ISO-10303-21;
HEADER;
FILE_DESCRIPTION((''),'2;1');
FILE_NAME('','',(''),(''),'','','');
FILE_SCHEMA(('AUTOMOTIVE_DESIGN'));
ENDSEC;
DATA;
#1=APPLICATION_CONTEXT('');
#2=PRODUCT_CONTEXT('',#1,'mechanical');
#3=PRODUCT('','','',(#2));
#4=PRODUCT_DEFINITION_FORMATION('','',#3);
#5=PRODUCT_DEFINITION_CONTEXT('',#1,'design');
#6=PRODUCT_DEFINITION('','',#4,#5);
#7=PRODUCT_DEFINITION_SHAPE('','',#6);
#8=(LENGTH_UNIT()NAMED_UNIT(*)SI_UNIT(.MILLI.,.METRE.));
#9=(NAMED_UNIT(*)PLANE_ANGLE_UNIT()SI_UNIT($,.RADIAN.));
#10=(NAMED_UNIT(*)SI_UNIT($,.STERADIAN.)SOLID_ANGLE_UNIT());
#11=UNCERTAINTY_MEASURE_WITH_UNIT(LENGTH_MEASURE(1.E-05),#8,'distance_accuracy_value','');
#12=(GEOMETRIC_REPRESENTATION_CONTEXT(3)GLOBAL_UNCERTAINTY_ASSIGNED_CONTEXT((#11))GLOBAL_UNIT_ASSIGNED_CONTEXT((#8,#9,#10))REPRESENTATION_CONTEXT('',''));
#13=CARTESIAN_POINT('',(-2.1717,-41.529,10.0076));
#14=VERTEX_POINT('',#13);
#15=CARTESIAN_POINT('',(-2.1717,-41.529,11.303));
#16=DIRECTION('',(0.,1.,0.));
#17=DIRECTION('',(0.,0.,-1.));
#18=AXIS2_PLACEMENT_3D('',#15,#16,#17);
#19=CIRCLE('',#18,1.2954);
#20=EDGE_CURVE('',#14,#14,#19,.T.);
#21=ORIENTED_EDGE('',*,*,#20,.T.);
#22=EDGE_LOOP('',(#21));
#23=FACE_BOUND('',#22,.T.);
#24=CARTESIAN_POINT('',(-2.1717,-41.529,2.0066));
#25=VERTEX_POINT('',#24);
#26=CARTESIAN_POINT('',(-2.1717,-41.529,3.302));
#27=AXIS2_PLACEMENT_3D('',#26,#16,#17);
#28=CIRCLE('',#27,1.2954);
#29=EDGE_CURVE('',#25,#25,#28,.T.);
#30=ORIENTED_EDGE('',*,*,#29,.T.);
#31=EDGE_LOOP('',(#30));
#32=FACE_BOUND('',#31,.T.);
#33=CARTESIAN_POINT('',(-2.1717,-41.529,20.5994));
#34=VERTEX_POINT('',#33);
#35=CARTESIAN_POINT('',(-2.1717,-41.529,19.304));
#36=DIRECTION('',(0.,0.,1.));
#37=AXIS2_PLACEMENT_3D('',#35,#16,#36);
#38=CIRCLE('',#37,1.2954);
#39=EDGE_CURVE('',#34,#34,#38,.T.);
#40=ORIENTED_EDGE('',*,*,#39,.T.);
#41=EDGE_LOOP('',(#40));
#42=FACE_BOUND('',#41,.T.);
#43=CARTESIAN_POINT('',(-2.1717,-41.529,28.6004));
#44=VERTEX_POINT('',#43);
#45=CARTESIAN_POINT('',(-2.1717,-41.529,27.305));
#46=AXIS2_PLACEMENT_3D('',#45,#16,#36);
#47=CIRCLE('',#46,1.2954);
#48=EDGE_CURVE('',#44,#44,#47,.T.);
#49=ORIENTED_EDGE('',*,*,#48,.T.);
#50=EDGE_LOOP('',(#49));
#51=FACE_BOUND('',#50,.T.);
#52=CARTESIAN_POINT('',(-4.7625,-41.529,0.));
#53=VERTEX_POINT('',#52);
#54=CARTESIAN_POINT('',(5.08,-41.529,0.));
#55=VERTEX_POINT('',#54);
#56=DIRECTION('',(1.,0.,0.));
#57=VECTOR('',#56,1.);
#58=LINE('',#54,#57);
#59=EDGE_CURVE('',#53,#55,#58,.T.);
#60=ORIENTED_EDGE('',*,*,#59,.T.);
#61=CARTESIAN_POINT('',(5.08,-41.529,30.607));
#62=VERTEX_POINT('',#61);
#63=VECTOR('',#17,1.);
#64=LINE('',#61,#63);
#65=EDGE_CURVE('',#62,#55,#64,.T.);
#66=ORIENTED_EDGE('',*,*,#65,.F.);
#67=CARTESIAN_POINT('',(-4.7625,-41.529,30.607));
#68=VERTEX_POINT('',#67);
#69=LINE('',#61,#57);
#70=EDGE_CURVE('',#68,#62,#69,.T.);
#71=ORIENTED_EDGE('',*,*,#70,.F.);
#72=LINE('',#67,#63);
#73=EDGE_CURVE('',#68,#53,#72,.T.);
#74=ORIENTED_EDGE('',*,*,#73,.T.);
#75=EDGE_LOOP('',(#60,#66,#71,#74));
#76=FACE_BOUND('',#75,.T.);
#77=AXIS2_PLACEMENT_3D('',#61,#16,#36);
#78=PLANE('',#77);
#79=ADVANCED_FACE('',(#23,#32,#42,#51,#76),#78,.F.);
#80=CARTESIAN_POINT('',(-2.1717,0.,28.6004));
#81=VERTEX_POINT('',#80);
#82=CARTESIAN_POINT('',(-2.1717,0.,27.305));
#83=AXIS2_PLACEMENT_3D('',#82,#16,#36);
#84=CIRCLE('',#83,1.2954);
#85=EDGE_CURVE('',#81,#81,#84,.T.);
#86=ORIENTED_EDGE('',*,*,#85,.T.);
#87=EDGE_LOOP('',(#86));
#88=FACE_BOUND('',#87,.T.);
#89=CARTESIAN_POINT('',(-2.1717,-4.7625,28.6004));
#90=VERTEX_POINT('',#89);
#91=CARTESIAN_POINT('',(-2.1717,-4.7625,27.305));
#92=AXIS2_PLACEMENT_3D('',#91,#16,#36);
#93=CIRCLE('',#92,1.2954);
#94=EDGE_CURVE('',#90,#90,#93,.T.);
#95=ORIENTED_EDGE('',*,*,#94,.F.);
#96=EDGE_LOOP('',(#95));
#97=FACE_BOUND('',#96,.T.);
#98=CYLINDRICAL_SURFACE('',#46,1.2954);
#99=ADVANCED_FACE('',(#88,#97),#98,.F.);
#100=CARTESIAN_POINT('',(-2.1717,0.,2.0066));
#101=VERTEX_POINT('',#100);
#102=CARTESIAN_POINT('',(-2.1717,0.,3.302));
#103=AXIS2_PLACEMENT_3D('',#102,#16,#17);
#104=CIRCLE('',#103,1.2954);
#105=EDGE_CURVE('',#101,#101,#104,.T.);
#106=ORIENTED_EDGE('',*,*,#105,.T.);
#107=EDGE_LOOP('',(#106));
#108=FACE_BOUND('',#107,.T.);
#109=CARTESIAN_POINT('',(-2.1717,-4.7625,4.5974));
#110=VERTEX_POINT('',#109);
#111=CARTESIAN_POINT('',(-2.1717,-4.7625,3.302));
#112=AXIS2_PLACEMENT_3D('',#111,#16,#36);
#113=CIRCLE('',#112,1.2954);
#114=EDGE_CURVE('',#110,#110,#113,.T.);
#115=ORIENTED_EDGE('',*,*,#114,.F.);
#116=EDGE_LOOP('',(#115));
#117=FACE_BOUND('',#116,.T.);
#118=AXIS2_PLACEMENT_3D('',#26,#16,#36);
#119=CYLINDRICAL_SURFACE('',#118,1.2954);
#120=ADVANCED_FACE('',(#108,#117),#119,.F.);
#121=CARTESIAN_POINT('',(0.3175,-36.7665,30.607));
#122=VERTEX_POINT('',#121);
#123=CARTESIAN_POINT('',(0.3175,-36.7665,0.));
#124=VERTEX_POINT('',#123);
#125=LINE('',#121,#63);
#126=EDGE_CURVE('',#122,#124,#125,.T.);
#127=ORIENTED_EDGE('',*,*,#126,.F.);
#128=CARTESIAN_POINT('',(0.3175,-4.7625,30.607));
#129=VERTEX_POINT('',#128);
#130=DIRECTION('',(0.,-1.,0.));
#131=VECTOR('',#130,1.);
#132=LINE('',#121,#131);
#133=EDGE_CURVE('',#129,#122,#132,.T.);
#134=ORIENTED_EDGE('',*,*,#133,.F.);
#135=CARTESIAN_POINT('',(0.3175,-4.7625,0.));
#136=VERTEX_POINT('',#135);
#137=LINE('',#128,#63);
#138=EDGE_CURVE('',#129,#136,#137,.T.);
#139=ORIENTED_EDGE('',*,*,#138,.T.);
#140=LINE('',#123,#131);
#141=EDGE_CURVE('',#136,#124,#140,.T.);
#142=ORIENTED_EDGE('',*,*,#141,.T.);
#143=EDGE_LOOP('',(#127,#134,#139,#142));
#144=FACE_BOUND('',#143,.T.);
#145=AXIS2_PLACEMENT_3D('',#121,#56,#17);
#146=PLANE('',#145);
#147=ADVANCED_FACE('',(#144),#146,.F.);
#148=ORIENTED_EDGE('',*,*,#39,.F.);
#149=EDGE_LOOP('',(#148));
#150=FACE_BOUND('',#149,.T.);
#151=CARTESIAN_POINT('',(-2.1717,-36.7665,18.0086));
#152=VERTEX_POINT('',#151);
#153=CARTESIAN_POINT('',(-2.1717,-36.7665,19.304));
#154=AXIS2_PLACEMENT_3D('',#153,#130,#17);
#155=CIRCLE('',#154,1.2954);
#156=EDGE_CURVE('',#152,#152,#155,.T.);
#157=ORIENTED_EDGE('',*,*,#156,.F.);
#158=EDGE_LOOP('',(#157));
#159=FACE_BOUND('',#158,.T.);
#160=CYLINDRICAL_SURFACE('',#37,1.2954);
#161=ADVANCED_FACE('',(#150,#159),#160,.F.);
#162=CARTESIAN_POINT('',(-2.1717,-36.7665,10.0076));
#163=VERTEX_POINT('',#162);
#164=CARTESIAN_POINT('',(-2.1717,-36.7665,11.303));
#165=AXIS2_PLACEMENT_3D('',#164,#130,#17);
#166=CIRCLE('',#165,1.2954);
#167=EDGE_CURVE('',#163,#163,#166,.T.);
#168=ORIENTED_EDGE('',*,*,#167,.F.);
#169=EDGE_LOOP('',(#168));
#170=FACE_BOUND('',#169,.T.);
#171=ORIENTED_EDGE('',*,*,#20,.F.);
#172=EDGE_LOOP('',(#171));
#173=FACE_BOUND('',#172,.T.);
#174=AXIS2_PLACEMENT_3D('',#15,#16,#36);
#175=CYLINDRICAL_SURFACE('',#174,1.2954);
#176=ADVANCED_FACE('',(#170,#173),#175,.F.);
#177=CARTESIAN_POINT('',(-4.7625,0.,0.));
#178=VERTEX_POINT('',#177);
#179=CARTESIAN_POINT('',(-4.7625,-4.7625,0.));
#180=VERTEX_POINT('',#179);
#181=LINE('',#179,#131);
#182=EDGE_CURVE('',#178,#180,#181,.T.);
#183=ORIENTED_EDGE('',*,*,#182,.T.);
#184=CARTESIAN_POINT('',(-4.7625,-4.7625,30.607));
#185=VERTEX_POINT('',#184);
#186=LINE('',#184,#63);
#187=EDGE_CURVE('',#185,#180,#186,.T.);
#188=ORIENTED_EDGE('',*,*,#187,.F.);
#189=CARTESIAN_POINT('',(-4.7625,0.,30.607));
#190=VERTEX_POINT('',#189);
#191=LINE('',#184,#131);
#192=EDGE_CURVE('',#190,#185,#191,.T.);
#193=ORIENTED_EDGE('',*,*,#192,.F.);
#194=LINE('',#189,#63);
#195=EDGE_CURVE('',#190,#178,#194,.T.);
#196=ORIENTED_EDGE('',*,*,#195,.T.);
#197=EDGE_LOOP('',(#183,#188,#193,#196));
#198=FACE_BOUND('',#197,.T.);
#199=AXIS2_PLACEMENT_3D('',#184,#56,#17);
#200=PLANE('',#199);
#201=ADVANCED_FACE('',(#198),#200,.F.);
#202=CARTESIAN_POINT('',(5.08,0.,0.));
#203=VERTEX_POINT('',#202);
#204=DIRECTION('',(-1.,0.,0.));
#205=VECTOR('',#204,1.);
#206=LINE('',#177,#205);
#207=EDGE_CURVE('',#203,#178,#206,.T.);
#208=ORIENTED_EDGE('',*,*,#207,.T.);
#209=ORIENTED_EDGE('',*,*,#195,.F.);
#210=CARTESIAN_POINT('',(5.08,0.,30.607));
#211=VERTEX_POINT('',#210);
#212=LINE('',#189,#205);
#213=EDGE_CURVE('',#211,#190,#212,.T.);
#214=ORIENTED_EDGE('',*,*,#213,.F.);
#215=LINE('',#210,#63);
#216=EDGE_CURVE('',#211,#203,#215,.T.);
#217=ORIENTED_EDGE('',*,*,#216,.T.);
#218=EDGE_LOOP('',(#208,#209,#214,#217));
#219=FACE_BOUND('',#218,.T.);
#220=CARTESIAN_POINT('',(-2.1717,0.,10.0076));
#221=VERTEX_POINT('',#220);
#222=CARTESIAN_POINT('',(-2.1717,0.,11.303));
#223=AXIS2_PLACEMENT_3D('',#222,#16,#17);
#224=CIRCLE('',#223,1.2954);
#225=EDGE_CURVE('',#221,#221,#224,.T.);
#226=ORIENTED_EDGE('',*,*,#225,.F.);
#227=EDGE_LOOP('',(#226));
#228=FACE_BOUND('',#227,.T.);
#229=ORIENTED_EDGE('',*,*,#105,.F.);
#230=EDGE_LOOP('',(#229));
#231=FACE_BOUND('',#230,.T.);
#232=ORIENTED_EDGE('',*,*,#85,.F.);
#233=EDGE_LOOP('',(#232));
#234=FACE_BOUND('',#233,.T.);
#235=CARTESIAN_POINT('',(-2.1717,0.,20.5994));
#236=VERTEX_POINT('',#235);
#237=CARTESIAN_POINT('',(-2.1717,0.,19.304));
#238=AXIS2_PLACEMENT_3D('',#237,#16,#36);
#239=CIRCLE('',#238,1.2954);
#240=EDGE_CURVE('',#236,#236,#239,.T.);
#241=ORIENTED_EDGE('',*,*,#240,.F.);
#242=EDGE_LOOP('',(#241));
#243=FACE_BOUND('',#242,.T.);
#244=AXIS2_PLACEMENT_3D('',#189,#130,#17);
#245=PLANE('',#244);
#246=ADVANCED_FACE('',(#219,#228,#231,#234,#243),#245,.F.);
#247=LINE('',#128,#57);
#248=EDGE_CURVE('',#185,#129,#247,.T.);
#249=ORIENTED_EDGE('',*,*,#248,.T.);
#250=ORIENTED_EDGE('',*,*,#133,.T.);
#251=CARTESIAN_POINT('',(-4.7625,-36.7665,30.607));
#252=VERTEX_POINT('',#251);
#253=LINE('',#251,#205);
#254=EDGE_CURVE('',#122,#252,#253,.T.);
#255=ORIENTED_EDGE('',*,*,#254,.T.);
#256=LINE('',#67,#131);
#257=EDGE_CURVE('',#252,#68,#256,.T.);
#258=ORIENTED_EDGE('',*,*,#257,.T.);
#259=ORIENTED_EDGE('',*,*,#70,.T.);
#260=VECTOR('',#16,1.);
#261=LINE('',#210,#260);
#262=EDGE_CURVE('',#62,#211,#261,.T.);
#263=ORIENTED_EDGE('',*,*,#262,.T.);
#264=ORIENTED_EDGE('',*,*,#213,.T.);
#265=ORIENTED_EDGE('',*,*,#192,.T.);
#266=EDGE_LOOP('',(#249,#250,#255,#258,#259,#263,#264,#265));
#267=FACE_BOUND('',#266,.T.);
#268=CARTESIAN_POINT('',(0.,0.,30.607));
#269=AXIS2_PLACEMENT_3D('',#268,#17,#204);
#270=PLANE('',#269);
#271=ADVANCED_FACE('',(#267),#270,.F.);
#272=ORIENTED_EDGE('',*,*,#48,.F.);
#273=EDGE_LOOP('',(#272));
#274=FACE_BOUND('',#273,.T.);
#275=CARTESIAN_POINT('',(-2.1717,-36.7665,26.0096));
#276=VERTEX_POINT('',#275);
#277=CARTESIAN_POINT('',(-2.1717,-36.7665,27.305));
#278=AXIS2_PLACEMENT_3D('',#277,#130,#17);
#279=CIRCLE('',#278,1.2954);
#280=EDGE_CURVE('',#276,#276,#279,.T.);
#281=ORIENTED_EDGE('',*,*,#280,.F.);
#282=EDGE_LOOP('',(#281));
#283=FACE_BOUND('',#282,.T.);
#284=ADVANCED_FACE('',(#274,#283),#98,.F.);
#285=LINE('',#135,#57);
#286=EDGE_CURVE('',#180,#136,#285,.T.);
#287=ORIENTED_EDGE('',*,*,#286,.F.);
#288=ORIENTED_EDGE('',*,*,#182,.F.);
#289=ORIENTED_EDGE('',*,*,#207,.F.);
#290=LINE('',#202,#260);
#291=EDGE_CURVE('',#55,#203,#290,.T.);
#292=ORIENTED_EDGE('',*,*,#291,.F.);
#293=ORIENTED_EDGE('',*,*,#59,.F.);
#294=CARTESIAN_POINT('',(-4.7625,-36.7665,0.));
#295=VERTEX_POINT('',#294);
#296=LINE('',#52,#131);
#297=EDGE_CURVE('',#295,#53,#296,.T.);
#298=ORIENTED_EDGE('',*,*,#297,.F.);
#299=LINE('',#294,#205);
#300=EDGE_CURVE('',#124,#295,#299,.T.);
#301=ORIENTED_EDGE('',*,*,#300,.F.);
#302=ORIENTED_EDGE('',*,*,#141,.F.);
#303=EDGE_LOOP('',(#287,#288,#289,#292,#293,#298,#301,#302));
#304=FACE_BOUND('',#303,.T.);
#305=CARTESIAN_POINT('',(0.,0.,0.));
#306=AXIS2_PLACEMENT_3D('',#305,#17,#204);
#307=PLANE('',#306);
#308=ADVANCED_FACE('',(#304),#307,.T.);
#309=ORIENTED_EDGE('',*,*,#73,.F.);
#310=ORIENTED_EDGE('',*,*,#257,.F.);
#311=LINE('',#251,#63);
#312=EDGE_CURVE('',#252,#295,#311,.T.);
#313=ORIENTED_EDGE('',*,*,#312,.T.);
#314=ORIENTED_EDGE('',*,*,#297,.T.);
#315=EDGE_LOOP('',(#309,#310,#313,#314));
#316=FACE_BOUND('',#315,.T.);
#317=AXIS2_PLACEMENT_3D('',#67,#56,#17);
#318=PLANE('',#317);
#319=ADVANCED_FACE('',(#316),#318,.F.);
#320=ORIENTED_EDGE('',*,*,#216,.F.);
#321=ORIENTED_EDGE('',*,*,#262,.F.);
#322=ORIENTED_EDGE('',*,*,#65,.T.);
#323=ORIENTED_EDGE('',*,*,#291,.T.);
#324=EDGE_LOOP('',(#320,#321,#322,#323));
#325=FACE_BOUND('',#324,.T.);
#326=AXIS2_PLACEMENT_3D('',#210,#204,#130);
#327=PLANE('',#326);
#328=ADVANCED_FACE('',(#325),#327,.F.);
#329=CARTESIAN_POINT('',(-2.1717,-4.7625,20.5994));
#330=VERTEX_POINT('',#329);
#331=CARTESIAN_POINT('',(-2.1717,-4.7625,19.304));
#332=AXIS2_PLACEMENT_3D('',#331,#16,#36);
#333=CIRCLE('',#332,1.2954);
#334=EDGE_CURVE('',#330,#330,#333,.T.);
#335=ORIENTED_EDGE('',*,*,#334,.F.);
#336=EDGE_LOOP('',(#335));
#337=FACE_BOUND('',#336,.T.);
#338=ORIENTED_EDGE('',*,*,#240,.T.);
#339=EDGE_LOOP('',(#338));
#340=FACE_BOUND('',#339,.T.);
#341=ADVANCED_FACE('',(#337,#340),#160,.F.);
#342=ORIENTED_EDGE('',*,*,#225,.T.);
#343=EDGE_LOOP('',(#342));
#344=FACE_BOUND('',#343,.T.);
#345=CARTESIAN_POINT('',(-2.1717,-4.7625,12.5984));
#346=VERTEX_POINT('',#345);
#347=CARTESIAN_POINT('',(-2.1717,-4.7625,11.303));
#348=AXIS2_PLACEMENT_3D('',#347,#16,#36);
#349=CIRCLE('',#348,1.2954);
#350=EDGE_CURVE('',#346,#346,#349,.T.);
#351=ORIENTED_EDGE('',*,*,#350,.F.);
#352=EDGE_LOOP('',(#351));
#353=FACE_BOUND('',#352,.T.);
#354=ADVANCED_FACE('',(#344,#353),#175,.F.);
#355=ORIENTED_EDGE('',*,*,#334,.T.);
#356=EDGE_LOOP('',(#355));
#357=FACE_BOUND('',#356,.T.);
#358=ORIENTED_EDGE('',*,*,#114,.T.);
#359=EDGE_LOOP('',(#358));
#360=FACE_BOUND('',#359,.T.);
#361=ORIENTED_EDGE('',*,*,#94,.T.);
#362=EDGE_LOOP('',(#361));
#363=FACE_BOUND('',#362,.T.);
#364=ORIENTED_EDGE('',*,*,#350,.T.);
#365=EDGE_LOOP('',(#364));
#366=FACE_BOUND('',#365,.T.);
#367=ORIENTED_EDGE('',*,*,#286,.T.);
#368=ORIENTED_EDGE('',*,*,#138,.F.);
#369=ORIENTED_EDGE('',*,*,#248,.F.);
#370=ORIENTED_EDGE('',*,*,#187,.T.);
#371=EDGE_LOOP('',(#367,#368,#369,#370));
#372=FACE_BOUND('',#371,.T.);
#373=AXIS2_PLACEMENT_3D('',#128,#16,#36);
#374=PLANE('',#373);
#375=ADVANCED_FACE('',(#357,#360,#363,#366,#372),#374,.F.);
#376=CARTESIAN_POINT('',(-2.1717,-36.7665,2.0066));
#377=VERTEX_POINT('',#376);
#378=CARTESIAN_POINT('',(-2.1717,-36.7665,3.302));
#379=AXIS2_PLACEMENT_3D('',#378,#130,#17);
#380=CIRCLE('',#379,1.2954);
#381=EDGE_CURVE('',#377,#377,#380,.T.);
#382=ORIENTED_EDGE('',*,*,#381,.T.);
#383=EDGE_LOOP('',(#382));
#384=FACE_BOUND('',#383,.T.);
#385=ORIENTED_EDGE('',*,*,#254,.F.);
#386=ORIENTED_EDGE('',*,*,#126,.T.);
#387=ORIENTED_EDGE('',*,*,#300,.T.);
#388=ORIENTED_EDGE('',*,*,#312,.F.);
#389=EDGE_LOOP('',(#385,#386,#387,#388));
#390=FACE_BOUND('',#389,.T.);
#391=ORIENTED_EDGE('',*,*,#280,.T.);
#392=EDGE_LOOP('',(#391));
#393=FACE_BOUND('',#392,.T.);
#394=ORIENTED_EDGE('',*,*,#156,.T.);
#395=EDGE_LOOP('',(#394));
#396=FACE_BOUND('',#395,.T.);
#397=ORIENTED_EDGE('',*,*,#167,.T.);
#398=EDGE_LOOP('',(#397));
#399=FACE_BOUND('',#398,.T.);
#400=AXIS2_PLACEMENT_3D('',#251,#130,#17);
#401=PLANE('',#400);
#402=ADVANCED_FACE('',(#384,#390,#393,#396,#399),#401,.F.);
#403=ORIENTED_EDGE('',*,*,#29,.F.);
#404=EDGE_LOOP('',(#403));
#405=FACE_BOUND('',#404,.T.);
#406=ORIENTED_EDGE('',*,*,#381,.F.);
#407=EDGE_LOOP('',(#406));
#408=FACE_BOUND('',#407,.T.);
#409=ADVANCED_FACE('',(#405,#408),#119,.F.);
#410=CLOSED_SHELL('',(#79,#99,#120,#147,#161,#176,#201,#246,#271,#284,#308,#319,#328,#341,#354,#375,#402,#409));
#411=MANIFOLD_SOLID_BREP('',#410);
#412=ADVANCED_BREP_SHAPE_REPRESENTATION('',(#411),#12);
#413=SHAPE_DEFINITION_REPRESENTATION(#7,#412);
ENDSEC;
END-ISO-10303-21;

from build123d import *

# Parameters (mm, degrees)
BOSS_EXTRUDE1_DEPTH = 30.607
SKETCH2_R           = 1.2954
CUT_EXTRUDE1_DEPTH  = 52.838718059


with BuildPart() as part:
    # Sketch1 → Boss-Extrude1 (new body)
    with BuildSketch(Plane.XY):
        Polygon((-4.7625, 0), (5.08, 0), (5.08, -41.529), (-4.7625, -41.529), (-4.7625, -36.7665), (0.3175, -36.7665), (0.3175, -4.7625), (-4.7625, -4.7625), align=None)
    extrude(amount=BOSS_EXTRUDE1_DEPTH)

    # Sketch2 → Cut-Extrude1 (cut, through all)
    with BuildSketch(Plane(origin=(0, 0, 0), x_dir=(1, 0, 0), z_dir=(0, 1, 0))):
        with Locations(Location((-2.1717, -27.305, 0), (0, 0, 270))):
            Circle(SKETCH2_R)
        with Locations(Location((-2.1717, -19.304, 0), (0, 0, 270))):
            Circle(SKETCH2_R)
        with Locations(Location((-2.1717, -3.302, 0), (0, 0, 90))):
            Circle(SKETCH2_R)
        with Locations(Location((-2.1717, -11.303, 0), (0, 0, 90))):
            Circle(SKETCH2_R)
    extrude(amount=-CUT_EXTRUDE1_DEPTH, mode=Mode.SUBTRACT)


solid = part.part
